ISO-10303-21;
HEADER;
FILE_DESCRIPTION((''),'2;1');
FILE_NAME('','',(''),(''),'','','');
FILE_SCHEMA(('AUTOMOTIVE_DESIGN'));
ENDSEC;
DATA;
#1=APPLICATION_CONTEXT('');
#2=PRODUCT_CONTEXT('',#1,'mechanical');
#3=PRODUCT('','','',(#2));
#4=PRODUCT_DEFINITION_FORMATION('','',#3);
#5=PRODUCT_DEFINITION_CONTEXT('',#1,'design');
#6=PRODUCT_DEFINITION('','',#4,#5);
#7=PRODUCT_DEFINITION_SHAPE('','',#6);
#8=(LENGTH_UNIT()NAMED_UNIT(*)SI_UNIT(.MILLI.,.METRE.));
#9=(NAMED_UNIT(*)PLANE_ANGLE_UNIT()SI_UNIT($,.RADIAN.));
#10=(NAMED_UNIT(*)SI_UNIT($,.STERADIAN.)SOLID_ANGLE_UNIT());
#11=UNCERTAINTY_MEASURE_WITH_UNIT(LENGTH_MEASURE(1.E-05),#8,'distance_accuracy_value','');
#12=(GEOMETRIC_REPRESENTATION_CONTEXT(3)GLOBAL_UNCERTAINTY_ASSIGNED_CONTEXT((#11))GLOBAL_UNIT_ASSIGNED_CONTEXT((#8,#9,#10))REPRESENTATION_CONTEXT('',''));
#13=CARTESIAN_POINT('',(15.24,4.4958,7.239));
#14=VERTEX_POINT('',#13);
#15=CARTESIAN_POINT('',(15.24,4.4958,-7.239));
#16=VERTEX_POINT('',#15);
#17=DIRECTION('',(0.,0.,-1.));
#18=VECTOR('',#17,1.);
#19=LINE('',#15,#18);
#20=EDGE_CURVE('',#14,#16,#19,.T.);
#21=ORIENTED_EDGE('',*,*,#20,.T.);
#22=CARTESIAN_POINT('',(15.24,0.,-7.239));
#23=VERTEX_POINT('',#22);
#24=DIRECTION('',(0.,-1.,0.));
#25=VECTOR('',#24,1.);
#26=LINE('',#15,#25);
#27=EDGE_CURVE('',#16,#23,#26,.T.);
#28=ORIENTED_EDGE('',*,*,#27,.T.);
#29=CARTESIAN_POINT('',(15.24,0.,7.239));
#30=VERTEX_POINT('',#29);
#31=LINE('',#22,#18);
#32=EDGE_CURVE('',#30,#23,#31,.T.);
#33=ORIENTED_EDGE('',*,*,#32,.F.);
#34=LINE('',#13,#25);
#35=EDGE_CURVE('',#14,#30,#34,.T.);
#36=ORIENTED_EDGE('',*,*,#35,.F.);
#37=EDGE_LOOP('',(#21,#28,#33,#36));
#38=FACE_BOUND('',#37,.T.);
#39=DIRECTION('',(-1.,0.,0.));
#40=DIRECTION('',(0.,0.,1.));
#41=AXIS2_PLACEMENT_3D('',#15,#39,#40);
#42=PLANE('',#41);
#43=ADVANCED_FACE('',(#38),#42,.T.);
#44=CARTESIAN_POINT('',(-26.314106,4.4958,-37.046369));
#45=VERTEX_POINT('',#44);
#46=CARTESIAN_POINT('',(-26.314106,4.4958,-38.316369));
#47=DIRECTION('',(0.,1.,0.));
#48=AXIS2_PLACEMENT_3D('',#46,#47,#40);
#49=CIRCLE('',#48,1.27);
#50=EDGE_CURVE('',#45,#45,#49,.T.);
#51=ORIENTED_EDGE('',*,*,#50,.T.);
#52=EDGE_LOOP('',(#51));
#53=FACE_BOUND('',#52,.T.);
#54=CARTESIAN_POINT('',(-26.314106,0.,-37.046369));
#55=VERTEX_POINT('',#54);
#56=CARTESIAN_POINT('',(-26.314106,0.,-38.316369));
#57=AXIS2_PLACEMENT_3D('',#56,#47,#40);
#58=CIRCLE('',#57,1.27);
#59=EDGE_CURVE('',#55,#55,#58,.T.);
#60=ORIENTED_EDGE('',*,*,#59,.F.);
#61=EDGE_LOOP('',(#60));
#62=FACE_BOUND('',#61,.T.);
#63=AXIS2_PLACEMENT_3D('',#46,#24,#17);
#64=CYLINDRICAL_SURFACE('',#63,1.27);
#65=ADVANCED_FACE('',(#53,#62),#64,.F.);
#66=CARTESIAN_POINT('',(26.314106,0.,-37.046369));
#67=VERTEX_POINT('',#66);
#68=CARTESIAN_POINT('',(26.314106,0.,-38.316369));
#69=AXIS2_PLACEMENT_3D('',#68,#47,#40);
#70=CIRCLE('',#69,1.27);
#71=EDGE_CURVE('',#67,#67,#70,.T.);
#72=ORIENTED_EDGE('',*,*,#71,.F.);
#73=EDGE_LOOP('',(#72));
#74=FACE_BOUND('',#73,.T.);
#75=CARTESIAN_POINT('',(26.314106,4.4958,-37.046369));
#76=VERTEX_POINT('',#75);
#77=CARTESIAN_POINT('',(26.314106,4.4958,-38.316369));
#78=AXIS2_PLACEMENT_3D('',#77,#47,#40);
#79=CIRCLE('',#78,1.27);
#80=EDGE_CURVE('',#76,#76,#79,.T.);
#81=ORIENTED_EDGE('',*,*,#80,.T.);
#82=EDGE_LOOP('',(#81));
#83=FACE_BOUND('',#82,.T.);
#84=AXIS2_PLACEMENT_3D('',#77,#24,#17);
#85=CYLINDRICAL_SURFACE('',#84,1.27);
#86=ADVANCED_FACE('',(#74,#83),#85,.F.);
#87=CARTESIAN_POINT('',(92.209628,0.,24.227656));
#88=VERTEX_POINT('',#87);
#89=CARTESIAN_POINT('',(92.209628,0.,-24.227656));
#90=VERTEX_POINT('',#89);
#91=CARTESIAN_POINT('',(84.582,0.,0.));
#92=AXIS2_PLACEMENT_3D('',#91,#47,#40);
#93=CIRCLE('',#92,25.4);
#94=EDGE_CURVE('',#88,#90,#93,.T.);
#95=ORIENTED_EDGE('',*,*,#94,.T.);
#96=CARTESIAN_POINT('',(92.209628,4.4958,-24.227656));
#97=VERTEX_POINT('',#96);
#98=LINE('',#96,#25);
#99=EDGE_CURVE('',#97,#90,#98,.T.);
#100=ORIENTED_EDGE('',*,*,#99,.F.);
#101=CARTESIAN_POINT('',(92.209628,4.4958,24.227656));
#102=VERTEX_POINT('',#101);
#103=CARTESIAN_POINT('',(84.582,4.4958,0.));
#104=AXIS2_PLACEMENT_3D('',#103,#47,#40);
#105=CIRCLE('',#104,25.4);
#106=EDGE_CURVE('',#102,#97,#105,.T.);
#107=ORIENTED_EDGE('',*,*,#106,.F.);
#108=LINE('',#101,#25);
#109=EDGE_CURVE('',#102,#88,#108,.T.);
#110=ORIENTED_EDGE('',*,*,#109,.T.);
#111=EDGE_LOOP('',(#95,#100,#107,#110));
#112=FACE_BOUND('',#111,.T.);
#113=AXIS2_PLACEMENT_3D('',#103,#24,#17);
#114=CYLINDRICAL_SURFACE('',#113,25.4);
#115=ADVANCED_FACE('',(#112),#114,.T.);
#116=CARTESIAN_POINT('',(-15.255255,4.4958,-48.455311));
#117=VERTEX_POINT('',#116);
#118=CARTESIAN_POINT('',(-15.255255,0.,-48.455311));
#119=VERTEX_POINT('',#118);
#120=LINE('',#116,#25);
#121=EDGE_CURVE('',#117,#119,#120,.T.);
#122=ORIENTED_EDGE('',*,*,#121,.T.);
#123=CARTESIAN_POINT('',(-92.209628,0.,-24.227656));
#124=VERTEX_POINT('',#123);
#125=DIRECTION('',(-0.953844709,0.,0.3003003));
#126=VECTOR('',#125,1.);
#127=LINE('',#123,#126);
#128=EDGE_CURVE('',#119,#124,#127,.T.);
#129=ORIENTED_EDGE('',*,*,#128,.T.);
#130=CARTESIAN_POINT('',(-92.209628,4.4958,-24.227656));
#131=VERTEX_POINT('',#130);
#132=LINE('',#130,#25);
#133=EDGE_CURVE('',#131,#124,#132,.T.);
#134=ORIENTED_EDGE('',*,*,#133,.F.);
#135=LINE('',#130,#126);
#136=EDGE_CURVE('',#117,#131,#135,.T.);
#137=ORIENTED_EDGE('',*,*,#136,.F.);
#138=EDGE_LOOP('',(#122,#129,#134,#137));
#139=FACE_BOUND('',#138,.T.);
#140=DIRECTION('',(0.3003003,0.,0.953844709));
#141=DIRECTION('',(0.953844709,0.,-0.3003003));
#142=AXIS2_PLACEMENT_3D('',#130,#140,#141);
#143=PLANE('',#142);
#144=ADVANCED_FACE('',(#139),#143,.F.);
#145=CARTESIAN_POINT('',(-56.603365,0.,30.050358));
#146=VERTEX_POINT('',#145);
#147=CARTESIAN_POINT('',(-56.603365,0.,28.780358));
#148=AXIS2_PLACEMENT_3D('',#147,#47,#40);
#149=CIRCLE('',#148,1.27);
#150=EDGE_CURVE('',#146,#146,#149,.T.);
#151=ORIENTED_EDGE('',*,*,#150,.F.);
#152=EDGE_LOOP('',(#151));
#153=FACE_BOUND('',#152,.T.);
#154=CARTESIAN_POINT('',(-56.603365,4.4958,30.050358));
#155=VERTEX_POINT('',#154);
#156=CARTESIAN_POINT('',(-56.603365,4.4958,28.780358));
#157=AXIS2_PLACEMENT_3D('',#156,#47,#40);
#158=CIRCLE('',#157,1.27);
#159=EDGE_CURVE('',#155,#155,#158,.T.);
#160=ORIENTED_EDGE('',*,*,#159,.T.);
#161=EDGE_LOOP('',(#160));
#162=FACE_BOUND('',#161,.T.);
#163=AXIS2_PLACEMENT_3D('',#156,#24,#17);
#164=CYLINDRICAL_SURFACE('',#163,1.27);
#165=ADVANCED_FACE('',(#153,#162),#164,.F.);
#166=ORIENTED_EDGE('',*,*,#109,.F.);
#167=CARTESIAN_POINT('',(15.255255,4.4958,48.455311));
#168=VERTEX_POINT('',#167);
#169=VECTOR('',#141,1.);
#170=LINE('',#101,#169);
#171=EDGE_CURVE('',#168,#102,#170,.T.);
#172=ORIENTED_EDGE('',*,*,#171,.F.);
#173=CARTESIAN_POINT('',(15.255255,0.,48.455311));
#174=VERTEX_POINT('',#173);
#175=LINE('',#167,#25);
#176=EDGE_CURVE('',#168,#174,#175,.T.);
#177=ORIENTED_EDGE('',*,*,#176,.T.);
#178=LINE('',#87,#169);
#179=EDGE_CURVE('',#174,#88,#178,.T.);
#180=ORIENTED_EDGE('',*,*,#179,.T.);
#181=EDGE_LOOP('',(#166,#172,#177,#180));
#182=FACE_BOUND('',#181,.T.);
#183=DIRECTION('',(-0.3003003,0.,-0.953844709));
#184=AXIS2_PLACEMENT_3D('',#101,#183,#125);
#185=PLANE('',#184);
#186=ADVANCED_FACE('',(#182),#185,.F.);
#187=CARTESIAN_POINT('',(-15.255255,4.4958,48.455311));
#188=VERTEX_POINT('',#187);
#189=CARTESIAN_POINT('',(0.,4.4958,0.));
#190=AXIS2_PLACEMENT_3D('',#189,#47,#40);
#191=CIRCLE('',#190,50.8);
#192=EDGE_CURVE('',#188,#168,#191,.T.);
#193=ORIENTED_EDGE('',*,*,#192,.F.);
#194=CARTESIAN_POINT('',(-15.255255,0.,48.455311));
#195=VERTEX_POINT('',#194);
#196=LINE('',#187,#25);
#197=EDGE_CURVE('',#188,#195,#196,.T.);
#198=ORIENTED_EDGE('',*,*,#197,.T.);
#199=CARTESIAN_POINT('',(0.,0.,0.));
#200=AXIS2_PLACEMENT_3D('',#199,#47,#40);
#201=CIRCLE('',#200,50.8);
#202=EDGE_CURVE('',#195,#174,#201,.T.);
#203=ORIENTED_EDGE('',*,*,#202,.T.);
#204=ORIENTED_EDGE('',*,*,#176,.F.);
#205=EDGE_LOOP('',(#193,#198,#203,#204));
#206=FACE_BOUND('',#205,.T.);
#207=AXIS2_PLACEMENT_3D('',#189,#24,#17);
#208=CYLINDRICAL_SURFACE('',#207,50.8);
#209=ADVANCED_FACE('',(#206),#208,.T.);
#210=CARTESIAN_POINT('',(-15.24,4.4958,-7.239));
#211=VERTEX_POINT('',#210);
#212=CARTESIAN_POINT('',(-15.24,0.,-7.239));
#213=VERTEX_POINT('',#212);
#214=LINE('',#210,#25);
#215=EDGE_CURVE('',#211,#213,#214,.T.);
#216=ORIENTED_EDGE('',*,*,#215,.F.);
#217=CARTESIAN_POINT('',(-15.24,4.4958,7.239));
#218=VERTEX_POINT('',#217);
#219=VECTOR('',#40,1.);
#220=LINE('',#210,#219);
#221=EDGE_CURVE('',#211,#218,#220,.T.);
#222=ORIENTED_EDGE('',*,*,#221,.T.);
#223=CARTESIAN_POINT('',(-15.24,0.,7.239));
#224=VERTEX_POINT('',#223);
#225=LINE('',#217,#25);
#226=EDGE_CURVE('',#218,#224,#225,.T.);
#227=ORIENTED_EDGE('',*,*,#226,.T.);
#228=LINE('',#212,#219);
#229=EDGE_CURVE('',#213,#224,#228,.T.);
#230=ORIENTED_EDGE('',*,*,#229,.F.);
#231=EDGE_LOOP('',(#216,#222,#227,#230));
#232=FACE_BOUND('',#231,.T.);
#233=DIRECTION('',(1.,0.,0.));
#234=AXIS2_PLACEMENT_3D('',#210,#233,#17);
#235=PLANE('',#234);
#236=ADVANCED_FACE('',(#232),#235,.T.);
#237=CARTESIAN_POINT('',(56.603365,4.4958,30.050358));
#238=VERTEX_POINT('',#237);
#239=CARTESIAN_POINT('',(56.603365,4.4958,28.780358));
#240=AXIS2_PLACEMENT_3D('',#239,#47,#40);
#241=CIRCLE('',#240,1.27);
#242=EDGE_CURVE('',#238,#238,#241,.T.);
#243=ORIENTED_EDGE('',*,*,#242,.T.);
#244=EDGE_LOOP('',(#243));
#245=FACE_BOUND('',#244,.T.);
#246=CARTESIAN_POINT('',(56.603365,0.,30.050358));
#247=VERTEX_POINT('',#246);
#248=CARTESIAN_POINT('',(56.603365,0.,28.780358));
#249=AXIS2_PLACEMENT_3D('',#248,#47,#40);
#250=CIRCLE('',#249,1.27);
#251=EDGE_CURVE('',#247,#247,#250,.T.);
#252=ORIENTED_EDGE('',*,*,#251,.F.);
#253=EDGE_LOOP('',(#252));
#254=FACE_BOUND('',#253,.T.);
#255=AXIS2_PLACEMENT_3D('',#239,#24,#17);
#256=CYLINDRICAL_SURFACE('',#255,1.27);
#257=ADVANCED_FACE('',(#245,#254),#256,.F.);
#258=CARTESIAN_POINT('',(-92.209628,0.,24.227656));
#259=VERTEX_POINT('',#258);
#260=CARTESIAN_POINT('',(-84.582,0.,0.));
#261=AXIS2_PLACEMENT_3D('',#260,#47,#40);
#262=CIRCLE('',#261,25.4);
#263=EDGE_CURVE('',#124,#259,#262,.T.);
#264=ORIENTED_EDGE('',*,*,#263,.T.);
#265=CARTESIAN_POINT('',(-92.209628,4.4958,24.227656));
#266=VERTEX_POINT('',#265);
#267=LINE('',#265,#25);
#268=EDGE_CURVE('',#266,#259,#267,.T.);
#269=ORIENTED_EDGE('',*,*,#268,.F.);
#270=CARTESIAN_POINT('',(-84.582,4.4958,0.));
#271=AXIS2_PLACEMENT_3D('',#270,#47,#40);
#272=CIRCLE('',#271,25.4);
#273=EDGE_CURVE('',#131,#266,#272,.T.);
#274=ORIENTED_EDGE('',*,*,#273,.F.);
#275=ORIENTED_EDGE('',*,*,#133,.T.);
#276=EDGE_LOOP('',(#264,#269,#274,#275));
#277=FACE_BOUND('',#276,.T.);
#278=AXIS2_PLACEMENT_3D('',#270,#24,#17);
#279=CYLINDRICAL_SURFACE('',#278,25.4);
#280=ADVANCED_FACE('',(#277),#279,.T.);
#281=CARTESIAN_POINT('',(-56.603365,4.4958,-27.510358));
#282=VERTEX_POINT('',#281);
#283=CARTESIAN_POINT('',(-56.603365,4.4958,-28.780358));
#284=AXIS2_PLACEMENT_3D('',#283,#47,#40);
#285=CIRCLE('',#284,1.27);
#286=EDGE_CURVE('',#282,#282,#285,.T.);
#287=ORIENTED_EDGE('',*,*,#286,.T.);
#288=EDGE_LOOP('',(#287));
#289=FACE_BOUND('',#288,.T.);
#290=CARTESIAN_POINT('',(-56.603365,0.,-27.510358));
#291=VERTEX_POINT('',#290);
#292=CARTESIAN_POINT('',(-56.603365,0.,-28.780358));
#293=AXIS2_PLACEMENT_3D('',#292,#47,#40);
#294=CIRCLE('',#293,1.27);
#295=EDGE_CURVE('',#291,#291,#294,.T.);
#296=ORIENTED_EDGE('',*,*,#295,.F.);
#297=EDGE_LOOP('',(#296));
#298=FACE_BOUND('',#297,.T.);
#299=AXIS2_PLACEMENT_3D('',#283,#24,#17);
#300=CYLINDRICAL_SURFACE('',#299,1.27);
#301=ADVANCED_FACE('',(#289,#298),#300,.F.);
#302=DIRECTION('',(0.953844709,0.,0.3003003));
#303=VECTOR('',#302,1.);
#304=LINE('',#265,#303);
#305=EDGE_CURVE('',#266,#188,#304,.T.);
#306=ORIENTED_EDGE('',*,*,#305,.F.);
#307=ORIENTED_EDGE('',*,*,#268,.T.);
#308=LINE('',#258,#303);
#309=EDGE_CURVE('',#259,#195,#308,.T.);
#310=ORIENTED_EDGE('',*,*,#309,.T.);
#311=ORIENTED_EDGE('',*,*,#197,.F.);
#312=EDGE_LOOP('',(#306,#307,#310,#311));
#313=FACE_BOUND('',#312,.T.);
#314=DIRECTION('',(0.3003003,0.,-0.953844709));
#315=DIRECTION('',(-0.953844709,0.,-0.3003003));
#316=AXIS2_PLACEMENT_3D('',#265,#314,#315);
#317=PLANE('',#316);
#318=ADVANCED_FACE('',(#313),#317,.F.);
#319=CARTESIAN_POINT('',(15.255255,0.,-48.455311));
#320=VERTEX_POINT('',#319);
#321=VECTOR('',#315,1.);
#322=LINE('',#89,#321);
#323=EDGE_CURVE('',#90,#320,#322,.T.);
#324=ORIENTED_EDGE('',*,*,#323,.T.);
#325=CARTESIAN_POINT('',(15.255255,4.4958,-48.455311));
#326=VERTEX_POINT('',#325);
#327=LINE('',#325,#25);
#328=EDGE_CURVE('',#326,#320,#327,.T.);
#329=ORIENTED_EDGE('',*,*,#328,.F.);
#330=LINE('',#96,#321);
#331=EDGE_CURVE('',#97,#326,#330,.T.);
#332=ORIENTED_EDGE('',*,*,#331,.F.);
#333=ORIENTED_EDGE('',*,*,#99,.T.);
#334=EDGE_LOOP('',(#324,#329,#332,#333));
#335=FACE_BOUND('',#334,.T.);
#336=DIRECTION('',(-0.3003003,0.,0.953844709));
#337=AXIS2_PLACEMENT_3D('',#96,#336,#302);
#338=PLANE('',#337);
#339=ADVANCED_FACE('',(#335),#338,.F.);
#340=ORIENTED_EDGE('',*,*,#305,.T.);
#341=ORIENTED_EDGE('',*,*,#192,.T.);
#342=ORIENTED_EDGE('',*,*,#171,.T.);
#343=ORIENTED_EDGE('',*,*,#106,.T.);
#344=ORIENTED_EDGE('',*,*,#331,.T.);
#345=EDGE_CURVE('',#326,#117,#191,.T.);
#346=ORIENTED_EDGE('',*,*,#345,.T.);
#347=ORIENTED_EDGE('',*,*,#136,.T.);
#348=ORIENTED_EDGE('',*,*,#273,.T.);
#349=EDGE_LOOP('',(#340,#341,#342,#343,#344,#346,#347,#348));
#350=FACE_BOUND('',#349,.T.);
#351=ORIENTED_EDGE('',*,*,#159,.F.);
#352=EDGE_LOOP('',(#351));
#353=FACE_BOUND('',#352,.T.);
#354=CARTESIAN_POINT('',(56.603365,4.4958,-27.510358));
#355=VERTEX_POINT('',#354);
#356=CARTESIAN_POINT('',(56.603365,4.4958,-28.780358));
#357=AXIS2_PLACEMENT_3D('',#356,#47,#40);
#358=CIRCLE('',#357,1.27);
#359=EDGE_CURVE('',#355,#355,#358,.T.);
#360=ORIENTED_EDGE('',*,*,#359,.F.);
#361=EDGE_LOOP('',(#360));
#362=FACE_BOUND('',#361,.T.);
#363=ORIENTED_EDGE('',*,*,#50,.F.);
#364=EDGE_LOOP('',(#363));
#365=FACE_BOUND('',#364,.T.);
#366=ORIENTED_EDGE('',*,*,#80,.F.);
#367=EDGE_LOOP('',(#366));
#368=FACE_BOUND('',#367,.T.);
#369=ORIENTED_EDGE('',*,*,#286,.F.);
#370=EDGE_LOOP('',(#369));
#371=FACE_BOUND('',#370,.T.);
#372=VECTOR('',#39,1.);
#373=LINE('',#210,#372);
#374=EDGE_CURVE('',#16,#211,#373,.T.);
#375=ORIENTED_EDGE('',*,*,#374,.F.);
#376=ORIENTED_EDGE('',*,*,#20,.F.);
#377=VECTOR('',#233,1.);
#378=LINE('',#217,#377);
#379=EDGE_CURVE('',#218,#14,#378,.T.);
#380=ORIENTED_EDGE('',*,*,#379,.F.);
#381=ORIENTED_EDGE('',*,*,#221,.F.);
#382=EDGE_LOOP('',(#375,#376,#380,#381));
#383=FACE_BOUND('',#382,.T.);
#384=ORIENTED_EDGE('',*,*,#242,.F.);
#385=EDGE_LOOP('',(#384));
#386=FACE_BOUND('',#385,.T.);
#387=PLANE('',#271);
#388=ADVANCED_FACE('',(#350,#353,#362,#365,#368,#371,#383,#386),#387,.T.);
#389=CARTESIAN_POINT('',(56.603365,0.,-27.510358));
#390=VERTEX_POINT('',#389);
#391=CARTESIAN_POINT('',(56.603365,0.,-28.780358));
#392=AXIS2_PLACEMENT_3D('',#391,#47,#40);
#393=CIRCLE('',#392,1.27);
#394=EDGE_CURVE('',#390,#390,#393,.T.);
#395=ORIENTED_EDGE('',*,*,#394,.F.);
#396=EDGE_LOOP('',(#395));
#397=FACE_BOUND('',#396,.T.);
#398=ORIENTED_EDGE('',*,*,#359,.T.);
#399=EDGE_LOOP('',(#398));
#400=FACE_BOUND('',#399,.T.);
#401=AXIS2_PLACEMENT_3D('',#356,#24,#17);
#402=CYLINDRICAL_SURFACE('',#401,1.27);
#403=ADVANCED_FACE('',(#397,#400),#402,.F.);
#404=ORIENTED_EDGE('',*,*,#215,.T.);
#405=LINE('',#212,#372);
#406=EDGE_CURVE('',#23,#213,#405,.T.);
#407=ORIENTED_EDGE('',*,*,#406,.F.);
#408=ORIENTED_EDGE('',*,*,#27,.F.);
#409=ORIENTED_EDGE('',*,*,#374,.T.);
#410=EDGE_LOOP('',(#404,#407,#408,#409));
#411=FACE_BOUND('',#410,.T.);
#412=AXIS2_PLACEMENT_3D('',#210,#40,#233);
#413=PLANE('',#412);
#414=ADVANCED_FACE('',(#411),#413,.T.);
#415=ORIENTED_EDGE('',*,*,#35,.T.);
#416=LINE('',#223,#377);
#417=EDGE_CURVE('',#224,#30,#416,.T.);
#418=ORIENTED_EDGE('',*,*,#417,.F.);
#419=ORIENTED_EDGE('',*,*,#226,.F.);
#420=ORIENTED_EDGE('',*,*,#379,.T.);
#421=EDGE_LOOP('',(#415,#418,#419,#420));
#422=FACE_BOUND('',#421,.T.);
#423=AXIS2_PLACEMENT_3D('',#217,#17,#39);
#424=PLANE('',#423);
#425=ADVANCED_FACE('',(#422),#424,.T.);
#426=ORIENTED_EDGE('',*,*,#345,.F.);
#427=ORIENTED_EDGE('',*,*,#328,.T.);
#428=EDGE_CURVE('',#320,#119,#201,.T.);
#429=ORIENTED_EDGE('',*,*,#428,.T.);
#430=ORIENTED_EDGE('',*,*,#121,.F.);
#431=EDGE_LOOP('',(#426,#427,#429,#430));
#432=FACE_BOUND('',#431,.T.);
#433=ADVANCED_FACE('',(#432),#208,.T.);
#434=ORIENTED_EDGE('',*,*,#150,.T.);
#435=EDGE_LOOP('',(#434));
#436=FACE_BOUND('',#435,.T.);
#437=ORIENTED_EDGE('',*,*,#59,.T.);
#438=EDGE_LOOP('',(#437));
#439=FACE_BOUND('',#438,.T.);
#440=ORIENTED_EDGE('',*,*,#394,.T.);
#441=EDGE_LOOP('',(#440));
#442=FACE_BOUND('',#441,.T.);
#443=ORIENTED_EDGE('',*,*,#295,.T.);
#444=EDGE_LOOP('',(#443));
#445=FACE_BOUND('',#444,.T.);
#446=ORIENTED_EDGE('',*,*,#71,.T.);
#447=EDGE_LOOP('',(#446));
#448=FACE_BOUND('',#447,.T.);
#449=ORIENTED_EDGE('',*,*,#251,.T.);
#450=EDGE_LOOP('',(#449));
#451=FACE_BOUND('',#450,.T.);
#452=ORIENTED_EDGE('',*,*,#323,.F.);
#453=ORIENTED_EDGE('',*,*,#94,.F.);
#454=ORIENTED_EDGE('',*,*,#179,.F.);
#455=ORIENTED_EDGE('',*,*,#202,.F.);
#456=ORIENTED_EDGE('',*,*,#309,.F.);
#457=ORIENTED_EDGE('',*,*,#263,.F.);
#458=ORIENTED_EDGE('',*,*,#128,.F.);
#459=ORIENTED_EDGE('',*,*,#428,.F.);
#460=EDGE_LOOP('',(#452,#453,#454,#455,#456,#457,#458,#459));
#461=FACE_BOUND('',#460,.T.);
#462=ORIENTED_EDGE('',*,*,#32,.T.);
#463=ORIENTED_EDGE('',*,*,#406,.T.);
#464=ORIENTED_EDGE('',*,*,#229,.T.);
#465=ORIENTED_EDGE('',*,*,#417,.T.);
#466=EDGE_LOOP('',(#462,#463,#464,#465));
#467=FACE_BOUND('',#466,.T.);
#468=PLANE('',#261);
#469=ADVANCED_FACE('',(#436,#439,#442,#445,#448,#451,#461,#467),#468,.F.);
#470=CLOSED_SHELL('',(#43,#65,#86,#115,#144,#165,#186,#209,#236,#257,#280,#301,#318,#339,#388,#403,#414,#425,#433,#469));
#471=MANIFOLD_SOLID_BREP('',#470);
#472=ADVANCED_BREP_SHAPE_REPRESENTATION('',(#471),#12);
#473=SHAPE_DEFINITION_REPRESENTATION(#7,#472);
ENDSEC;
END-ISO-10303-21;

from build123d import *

# Parameters (mm, degrees)
SKETCH1_R           = 1.27
SKETCH1_W           = 30.48
SKETCH1_H           = 14.478
BOSS_EXTRUDE1_DEPTH = 4.4958


with BuildPart() as part:
    # Sketch1 → Boss-Extrude1 (new body)
    with BuildSketch(Plane(origin=(0, 0, 0), x_dir=(1, 0, 0), z_dir=(0, 1, 0))):
        with BuildLine():
            Line((-92.209627628, 24.227655619), (-15.255255255, 48.455311237))
            ThreePointArc((-15.255255255, 48.455311237), (0, 50.8), (15.255255255, 48.455311237))
            Line((15.255255255, 48.455311237), (92.209627628, 24.227655619))
            ThreePointArc((92.209627628, 24.227655619), (109.982, 0), (92.209627628, -24.227655619))
            Line((92.209627628, -24.227655619), (15.255255255, -48.455311237))
            ThreePointArc((15.255255255, -48.455311237), (0, -50.8), (-15.255255255, -48.455311237))
            Line((-15.255255255, -48.455311237), (-92.209627628, -24.227655619))
            ThreePointArc((-92.209627628, -24.227655619), (-109.982, 0), (-92.209627628, 24.227655619))
        make_face()
        with Locations(Location((-56.603365496, 28.780358137, 0), (0, 0, 270))):
            Circle(SKETCH1_R, mode=Mode.SUBTRACT)
        with Locations(Location((-56.603365496, -28.780358137, 0), (0, 0, 270))):
            Circle(SKETCH1_R, mode=Mode.SUBTRACT)
        with Locations(Location((56.603365496, -28.780358137, 0), (0, 0, 270))):
            Circle(SKETCH1_R, mode=Mode.SUBTRACT)
        with Locations(Location((56.603365496, 28.780358137, 0), (0, 0, 270))):
            Circle(SKETCH1_R, mode=Mode.SUBTRACT)
        with Locations(Location((-26.314105966, 38.316369233, 0), (0, 0, 270))):
            Circle(SKETCH1_R, mode=Mode.SUBTRACT)
        with Locations(Location((26.314105966, 38.316369233, 0), (0, 0, 270))):
            Circle(SKETCH1_R, mode=Mode.SUBTRACT)
        Rectangle(SKETCH1_W, SKETCH1_H, mode=Mode.SUBTRACT)
    extrude(amount=BOSS_EXTRUDE1_DEPTH)


solid = part.part
